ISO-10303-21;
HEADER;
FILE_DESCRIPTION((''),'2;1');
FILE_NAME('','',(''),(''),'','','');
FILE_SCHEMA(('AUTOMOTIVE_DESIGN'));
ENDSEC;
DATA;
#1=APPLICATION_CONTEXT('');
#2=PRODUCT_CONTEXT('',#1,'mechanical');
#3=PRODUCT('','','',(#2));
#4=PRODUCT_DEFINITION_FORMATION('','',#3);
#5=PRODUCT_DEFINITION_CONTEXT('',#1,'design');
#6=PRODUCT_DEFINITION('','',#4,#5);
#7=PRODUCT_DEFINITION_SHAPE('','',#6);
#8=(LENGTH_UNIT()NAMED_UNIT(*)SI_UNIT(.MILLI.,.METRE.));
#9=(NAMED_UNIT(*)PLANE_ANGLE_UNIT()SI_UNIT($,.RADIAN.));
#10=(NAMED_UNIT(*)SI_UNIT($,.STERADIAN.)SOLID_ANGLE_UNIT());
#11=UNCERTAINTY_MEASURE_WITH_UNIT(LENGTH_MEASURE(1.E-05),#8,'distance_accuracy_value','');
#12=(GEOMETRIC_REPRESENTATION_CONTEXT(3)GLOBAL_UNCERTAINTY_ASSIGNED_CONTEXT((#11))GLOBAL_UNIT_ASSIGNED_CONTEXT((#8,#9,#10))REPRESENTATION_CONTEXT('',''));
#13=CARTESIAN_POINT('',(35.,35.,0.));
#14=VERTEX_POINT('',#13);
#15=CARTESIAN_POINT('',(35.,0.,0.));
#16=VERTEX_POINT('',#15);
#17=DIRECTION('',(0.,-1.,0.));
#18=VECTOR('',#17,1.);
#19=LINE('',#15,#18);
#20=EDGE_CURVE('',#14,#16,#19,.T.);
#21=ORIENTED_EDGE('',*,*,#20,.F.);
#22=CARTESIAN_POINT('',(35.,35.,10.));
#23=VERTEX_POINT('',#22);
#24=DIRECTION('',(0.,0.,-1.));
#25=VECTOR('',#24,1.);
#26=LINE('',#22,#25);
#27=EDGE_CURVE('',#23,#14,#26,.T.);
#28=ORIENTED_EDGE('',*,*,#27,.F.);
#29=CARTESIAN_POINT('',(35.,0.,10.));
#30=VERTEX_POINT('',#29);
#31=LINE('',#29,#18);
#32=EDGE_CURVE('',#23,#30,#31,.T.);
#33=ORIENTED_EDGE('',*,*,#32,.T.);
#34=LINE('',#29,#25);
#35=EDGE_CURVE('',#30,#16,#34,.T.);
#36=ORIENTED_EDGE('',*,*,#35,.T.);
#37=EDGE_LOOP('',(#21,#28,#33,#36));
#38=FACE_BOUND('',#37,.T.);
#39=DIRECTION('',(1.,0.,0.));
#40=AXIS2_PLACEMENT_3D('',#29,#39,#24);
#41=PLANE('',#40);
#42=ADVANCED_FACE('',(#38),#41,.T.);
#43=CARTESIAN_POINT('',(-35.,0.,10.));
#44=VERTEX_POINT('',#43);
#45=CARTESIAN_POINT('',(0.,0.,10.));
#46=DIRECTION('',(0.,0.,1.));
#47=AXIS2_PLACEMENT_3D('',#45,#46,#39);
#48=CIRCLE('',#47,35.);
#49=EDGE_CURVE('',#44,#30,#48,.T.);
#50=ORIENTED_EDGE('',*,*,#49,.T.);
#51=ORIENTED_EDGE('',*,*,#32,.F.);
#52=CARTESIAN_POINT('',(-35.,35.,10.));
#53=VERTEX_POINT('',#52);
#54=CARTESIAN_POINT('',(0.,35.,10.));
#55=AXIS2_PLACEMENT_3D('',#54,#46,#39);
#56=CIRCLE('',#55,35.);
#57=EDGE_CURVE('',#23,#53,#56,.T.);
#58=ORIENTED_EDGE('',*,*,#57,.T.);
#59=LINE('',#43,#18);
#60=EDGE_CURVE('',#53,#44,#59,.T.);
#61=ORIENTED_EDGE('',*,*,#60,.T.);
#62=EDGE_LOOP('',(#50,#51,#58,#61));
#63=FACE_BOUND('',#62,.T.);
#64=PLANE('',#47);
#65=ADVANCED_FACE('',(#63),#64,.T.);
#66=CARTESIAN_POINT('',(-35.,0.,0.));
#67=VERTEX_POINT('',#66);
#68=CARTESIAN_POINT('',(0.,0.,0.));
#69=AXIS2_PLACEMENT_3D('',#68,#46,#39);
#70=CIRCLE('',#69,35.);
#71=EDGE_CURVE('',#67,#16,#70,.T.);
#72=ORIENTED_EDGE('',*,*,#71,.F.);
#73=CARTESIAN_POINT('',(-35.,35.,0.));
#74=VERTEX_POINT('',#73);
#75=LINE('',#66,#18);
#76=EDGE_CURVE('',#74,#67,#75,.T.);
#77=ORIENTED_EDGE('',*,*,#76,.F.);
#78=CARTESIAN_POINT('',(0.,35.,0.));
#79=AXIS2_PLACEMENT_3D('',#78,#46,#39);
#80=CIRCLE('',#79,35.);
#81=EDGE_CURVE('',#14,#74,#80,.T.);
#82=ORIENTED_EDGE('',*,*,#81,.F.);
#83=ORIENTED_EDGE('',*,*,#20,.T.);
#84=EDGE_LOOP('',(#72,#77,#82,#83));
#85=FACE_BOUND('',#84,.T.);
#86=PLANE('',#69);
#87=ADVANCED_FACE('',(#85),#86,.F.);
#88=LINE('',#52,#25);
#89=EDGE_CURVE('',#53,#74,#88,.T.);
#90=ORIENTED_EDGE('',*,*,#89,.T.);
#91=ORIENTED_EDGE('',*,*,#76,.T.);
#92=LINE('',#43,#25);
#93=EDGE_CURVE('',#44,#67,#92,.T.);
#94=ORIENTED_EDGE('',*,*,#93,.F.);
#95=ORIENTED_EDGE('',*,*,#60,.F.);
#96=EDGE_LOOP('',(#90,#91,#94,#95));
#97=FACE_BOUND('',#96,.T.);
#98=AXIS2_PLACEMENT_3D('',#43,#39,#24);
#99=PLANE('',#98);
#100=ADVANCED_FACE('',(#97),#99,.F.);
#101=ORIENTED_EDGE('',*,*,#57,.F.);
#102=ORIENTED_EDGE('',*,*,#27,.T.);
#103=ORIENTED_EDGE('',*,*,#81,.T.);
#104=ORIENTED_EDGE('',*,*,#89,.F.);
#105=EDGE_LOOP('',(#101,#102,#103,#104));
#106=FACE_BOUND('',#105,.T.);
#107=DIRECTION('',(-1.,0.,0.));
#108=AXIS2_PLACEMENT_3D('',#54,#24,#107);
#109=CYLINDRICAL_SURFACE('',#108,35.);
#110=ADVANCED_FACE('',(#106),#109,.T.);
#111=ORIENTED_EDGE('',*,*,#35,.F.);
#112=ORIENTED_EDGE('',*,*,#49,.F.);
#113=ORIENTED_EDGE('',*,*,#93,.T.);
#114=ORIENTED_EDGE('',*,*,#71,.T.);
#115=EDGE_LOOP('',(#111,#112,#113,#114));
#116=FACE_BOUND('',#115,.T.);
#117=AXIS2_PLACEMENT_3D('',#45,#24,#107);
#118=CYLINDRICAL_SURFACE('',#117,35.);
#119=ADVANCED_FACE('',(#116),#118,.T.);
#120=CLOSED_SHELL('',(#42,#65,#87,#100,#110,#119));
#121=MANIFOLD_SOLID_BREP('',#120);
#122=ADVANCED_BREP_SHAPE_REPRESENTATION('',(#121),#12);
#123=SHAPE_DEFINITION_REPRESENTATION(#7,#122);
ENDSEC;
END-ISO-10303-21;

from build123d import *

# Parameters (mm, degrees)
SKETCH_1_R      = 35
EXTRUDE_1_DEPTH = 10


with BuildPart() as part:
    # Эскиз1 → Бобышка-Вытянуть1 (new body)
    with BuildSketch(Plane.XY):
        with BuildLine():
            ThreePointArc((-30.310889132, 17.5), (-33.80740392, 25.941333421), (-35, 35))
            Line((-35, 35), (-35, 0))
            ThreePointArc((-35, 0), (-33.80740392, 9.058666579), (-30.310889132, 17.5))
        make_face()
        with Locations((0, 35)):
            Circle(SKETCH_1_R)
        Circle(SKETCH_1_R)
        with BuildLine():
            Line((35, 0), (35, 35))
            ThreePointArc((35, 35), (33.80740392, 25.941333421), (30.310889132, 17.5))
            ThreePointArc((30.310889132, 17.5), (33.80740392, 9.058666579), (35, 0))
        make_face()
    extrude(amount=EXTRUDE_1_DEPTH)


solid = part.part
